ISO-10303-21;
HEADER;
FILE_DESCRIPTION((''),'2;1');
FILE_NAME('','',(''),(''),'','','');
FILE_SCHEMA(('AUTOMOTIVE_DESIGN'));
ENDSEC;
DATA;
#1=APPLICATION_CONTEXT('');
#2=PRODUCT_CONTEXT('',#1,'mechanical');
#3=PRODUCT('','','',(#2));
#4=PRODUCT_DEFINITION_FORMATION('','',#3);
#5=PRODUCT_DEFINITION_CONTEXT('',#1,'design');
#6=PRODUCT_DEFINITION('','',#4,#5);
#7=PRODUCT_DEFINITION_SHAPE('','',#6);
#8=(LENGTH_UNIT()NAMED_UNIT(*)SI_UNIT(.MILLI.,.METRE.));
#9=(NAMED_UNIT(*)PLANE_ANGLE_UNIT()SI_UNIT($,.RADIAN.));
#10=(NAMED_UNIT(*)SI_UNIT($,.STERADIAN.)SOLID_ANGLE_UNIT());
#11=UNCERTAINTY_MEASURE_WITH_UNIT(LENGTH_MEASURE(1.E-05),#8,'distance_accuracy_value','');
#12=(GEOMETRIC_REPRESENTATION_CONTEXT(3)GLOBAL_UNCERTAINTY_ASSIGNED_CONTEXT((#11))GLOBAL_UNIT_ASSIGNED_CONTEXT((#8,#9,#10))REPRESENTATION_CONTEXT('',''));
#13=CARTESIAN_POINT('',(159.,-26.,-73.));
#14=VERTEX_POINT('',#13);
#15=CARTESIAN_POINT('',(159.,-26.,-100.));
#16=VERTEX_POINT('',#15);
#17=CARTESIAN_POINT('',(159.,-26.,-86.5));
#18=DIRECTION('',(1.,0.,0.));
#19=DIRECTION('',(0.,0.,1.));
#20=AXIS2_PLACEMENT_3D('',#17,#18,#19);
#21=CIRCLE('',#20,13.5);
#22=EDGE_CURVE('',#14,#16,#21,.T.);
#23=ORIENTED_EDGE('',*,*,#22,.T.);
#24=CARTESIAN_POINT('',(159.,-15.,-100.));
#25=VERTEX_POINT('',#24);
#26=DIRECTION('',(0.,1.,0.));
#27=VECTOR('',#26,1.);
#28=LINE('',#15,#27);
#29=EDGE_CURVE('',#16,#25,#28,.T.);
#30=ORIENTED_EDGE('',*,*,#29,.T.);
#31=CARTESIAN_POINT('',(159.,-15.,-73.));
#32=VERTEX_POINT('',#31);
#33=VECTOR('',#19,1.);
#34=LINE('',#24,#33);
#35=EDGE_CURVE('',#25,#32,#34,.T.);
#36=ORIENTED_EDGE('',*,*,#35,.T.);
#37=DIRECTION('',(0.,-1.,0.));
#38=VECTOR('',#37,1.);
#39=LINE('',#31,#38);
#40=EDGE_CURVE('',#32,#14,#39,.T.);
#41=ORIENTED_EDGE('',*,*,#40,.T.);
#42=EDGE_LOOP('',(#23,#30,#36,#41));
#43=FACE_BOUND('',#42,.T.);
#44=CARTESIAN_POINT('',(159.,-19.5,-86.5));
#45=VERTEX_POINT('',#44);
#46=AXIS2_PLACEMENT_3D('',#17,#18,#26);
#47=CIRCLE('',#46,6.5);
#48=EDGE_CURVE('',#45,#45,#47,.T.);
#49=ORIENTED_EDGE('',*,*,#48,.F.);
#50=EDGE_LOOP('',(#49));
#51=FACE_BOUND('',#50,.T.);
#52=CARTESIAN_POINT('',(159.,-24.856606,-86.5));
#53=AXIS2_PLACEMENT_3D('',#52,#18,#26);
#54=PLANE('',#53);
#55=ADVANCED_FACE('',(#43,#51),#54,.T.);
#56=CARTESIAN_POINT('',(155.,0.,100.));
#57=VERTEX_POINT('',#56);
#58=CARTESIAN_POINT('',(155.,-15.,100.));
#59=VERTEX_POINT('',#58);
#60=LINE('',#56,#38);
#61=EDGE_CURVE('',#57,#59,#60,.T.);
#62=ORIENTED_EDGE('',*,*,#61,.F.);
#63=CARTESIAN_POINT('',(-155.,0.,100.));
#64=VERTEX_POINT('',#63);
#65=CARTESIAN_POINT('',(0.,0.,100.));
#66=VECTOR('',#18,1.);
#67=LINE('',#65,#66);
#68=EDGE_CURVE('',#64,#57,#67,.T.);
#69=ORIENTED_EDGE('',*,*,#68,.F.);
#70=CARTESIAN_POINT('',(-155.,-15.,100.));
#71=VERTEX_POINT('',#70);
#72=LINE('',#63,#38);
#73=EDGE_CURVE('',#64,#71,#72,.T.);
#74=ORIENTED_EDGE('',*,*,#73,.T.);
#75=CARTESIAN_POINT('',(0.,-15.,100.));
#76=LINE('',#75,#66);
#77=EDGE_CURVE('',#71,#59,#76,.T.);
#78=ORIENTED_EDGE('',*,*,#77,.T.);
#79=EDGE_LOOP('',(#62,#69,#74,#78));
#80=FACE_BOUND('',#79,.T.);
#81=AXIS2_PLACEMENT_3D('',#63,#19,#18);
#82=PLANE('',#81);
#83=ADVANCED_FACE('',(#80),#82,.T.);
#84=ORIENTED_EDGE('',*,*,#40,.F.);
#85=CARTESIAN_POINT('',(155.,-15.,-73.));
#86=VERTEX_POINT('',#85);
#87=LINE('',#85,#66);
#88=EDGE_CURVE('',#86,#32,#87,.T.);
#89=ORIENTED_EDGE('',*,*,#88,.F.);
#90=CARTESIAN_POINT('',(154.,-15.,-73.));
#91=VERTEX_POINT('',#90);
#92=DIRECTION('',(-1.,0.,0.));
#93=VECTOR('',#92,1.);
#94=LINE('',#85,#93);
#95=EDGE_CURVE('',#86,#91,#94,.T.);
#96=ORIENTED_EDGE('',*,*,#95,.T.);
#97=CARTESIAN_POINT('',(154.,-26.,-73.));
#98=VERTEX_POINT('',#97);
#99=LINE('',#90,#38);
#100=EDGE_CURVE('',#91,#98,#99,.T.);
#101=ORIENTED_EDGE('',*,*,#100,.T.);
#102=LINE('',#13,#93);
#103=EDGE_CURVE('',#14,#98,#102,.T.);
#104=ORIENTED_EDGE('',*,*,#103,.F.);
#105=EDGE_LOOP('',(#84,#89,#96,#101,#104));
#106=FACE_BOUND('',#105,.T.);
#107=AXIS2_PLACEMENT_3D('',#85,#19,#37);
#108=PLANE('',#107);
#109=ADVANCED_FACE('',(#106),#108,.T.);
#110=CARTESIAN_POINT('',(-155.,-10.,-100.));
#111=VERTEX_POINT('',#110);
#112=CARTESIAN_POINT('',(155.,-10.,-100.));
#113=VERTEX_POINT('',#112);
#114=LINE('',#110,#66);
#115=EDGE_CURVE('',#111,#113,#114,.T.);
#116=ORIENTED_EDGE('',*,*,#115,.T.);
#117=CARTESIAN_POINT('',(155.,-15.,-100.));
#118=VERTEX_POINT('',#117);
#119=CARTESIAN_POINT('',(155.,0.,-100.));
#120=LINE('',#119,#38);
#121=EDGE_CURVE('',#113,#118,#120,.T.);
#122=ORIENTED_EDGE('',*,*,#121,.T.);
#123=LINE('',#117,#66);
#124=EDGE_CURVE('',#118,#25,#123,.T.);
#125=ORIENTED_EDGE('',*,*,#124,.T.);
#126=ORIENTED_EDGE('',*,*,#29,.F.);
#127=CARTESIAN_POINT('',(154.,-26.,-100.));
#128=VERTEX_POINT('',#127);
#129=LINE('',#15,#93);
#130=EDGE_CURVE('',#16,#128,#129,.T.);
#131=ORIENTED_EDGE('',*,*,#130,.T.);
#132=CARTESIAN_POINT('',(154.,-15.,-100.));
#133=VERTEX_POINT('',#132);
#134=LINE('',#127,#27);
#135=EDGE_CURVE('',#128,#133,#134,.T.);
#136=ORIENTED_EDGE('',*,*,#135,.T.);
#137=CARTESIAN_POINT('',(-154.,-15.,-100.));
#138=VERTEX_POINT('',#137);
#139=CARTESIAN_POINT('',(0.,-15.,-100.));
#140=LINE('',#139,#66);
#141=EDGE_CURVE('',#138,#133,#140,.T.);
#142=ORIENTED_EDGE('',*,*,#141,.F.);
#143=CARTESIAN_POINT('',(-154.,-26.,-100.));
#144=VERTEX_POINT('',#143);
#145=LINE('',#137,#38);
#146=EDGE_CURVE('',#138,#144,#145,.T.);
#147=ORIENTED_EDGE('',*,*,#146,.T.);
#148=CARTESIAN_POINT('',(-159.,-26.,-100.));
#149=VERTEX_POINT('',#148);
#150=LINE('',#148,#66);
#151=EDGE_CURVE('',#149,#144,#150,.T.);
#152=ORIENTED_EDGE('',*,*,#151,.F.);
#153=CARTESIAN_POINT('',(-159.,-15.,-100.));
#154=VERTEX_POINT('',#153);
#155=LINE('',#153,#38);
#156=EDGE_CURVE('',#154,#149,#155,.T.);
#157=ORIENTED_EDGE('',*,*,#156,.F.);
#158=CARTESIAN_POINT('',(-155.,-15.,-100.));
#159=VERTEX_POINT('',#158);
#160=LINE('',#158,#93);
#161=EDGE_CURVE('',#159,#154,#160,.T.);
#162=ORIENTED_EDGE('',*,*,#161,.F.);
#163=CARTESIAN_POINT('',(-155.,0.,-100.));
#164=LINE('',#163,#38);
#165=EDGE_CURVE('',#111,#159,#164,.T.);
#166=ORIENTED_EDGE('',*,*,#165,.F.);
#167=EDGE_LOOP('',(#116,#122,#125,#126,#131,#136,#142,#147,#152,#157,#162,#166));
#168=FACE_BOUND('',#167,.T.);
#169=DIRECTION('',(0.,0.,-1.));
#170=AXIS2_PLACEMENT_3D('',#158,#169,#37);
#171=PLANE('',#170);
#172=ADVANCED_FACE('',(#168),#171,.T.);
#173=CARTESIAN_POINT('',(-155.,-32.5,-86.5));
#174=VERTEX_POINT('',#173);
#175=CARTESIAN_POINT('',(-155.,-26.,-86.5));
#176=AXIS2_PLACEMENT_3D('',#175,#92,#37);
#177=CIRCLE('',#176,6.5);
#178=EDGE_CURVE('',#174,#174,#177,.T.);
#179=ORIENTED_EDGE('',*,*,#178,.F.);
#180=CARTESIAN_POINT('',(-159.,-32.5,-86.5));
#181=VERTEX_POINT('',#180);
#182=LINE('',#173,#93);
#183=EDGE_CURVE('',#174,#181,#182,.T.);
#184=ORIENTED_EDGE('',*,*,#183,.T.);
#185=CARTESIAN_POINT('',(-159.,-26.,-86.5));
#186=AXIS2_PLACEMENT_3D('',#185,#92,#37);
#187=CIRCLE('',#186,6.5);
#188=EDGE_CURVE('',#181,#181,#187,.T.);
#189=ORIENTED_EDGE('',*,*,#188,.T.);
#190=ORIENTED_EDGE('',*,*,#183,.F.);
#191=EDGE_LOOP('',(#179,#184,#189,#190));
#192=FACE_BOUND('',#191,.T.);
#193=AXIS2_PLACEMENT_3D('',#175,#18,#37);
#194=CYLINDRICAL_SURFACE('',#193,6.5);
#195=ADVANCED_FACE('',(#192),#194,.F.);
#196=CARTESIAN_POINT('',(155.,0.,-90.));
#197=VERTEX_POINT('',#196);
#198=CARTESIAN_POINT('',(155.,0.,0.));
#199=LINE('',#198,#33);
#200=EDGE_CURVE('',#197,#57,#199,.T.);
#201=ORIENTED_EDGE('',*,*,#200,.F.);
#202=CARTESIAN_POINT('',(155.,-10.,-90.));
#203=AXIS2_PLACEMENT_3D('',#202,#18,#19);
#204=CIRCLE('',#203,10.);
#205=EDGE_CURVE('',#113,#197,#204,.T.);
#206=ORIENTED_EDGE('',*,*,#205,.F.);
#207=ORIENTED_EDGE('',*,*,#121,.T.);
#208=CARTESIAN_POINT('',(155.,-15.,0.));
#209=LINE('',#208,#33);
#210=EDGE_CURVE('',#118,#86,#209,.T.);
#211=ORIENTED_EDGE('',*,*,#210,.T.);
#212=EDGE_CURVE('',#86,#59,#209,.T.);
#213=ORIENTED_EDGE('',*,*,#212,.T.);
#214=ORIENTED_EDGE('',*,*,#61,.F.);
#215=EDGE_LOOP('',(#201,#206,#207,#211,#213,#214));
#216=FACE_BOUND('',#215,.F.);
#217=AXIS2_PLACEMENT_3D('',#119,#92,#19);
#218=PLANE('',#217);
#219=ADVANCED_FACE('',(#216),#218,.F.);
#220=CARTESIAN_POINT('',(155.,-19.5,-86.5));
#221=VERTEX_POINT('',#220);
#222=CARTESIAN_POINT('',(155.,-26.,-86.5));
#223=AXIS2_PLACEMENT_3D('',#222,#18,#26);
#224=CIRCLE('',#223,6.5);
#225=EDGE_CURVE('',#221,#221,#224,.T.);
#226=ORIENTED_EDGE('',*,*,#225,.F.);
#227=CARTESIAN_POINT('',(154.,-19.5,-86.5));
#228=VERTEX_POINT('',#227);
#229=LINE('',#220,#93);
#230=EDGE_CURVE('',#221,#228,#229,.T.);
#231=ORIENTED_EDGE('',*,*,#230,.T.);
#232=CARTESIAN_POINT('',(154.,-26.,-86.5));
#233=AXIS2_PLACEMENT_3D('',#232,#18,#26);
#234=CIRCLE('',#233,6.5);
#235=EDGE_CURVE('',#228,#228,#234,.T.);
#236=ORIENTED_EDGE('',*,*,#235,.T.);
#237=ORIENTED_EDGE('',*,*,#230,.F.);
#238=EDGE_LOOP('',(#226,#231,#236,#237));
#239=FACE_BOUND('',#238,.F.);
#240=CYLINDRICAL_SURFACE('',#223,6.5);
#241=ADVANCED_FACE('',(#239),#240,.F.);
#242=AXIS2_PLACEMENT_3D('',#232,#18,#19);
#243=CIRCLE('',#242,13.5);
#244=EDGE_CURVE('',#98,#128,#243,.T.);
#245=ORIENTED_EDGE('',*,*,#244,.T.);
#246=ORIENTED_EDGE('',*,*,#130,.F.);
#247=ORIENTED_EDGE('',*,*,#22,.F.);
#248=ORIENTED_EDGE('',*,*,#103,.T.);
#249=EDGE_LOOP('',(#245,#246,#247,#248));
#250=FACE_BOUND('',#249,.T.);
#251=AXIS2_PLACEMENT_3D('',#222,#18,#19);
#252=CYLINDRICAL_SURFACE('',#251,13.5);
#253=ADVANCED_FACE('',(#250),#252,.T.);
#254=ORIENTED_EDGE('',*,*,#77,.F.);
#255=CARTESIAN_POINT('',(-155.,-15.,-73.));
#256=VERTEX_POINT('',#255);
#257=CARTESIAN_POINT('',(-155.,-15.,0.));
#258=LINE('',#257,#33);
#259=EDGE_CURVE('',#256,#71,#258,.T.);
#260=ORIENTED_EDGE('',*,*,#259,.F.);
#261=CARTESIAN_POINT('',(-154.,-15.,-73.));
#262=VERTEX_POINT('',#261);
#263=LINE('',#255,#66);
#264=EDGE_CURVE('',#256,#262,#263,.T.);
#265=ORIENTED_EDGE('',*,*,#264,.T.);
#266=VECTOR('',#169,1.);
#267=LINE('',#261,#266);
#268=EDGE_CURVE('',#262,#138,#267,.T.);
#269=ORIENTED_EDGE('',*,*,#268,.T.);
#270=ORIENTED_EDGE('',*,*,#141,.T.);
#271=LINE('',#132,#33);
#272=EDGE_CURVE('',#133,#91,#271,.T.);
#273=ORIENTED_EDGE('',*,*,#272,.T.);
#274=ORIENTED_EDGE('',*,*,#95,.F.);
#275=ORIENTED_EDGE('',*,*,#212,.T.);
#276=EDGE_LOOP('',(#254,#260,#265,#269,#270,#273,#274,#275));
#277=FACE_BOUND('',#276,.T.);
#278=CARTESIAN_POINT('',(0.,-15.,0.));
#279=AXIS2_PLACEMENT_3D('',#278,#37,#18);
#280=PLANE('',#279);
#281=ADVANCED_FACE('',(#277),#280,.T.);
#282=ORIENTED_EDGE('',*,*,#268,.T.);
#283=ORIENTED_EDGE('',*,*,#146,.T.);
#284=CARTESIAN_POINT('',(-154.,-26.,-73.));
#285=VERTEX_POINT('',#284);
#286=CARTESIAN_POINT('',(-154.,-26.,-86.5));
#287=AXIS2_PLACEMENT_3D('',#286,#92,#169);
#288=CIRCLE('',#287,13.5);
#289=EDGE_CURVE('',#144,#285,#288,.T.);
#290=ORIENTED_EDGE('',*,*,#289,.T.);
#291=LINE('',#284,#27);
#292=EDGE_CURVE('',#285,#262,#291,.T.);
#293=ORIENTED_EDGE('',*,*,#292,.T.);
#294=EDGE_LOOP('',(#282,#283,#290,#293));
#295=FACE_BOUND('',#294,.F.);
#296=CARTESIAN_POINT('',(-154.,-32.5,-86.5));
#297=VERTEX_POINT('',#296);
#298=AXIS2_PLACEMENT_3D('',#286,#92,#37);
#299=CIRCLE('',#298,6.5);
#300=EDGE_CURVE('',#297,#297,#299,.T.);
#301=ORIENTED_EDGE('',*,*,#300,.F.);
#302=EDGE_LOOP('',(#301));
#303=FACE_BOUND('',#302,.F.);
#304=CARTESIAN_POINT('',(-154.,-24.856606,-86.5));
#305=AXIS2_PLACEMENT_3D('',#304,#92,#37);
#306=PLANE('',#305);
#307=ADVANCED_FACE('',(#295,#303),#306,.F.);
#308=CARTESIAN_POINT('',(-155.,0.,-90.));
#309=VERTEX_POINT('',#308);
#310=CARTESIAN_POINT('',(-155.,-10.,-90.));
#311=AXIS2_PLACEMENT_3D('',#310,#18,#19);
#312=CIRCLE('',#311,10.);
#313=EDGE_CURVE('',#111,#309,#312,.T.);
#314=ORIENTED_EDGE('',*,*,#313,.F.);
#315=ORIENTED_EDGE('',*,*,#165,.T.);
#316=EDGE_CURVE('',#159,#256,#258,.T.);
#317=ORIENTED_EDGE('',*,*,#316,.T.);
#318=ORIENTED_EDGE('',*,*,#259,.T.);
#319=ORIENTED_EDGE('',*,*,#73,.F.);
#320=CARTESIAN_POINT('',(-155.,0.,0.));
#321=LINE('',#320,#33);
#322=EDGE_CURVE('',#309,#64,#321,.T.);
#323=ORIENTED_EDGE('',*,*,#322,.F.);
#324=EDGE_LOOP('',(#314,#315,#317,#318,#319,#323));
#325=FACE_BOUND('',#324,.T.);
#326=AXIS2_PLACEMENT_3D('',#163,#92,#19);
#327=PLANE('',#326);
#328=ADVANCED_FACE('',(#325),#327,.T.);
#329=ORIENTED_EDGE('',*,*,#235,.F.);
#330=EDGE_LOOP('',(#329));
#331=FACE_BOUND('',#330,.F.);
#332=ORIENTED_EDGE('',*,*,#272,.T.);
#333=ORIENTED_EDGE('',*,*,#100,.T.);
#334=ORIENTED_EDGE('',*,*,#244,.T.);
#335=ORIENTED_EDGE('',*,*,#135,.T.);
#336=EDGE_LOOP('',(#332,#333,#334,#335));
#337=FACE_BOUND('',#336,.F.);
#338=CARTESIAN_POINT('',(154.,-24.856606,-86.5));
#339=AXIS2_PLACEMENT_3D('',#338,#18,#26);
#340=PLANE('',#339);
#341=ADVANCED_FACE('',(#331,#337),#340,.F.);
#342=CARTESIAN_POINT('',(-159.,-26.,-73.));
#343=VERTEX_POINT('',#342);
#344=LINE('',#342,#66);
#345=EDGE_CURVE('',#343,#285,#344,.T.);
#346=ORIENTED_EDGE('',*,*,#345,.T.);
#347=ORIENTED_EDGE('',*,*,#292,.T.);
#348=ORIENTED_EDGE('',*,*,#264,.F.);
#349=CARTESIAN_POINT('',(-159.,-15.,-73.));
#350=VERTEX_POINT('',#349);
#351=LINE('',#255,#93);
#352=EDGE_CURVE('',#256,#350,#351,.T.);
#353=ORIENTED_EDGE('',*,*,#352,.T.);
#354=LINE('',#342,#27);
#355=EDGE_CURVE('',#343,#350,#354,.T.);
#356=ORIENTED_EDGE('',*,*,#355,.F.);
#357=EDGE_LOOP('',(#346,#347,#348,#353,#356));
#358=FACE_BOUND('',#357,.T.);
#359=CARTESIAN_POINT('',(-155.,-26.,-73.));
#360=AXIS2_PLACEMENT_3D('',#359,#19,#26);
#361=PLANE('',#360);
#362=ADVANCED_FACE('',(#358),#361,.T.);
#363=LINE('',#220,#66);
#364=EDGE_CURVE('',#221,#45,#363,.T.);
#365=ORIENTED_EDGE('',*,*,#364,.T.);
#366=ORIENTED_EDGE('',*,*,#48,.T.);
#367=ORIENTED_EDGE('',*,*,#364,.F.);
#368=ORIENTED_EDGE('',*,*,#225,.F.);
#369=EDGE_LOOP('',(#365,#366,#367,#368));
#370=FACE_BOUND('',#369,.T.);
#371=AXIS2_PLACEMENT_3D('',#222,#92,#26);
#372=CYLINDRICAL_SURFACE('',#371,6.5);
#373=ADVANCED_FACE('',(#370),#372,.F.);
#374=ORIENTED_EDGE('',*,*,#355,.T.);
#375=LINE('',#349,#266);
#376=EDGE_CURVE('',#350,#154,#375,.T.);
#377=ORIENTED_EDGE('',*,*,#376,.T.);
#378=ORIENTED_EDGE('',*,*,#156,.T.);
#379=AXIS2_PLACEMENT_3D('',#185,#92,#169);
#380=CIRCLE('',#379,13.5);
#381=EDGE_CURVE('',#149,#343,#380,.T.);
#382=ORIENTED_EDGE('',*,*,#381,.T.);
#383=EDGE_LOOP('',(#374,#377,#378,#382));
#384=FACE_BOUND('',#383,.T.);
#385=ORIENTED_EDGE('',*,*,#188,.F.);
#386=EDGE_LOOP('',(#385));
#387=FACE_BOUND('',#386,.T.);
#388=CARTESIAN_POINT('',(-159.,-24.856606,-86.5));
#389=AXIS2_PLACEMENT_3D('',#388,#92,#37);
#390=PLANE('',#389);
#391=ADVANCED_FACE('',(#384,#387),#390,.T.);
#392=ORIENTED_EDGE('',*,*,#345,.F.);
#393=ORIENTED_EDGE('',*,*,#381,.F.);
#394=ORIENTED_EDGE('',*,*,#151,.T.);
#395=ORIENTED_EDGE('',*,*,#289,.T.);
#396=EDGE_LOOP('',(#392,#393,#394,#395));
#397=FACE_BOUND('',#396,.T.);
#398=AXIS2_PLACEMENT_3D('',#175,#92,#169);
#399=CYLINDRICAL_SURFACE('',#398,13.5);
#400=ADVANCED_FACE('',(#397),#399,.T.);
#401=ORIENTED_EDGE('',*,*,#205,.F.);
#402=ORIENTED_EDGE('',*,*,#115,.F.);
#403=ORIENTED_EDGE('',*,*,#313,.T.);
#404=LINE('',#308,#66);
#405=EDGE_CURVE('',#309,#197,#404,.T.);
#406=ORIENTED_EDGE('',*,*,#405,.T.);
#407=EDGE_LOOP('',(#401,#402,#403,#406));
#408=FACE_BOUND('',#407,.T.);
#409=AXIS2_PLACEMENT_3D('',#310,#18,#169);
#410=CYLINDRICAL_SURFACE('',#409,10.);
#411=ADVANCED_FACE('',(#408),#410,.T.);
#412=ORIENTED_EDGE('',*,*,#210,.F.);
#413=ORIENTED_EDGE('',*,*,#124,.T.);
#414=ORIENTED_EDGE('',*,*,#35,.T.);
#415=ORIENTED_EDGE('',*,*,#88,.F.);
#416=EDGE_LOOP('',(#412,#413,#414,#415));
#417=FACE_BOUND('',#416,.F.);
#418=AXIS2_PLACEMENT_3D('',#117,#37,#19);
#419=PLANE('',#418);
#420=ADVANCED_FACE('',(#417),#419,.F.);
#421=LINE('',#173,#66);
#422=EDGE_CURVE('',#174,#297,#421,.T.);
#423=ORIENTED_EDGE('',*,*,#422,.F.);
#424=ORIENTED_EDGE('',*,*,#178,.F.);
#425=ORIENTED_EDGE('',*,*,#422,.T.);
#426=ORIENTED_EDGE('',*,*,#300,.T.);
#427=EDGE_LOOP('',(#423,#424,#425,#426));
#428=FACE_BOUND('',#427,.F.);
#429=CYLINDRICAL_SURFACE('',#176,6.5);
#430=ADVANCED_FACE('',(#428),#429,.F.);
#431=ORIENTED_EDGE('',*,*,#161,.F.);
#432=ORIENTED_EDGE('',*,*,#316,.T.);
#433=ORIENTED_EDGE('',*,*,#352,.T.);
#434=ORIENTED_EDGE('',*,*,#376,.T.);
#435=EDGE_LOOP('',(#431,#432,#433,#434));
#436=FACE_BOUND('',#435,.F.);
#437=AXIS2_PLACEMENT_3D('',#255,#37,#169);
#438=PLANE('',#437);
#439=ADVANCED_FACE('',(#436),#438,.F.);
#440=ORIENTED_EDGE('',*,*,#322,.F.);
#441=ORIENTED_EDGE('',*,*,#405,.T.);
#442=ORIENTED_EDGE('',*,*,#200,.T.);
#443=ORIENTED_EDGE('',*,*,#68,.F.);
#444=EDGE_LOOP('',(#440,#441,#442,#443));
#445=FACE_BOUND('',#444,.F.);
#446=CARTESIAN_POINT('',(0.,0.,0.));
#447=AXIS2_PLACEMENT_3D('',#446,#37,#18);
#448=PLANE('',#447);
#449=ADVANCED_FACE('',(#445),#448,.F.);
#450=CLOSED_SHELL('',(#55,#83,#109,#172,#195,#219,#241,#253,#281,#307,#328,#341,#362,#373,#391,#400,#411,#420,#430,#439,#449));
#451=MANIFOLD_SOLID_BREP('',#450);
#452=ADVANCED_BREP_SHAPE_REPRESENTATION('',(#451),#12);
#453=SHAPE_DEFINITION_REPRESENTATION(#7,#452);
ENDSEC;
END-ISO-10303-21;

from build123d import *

# Parameters (mm, degrees)
F0_W          = 310
F0_H          = 200
F1_DEPTH      = 15
F3_R          = 10
F2_R          = 6.5
F4_DEPTH      = 4
F4_DEPTH_BACK = 1
F5_R          = 6.5
F6_DEPTH      = 4
F6_DEPTH_BACK = 1


with BuildPart() as f1:
    # F0 (on Front) → F1 (new body)
    with BuildSketch(Plane.XZ):
        Rectangle(F0_W, F0_H)
    extrude(amount=F1_DEPTH)

    # F3
    f3_edges = [f1.edges().sort_by_distance(p)[0] for p in [
        (0, 0, -100),
    ]]
    fillet(f3_edges, radius=F3_R)

    # F2 (on face) → F4 (join, two sides)
    with BuildSketch(Plane.YZ.offset(155)) as f4_sk:
        with BuildLine():
            Line((-26, -100), (-15, -100))
            Line((-15, -100), (-15, -73))
            Line((-15, -73), (-26, -73))
            ThreePointArc((-26, -73), (-39.5, -86.5), (-26, -100))
        make_face()
        with Locations((-26, -86.5)):
            Circle(F2_R, mode=Mode.SUBTRACT)
    extrude(amount=F4_DEPTH)
    extrude(f4_sk.sketch, amount=-F4_DEPTH_BACK)

    # F5 (on face) → F6 (join, two sides)
    with BuildSketch(Plane(origin=(-155, 0, 0), x_dir=(0, -1, 0), z_dir=(-1, 0, 0))) as f6_sk:
        with BuildLine():
            Line((26, -73), (15, -73))
            Line((15, -73), (15, -100))
            Line((15, -100), (26, -100))
            ThreePointArc((26, -100), (39.5, -86.5), (26, -73))
        make_face()
        with Locations((26, -86.5)):
            Circle(F5_R, mode=Mode.SUBTRACT)
    extrude(amount=F6_DEPTH)
    extrude(f6_sk.sketch, amount=-F6_DEPTH_BACK)


solid = f1.part
